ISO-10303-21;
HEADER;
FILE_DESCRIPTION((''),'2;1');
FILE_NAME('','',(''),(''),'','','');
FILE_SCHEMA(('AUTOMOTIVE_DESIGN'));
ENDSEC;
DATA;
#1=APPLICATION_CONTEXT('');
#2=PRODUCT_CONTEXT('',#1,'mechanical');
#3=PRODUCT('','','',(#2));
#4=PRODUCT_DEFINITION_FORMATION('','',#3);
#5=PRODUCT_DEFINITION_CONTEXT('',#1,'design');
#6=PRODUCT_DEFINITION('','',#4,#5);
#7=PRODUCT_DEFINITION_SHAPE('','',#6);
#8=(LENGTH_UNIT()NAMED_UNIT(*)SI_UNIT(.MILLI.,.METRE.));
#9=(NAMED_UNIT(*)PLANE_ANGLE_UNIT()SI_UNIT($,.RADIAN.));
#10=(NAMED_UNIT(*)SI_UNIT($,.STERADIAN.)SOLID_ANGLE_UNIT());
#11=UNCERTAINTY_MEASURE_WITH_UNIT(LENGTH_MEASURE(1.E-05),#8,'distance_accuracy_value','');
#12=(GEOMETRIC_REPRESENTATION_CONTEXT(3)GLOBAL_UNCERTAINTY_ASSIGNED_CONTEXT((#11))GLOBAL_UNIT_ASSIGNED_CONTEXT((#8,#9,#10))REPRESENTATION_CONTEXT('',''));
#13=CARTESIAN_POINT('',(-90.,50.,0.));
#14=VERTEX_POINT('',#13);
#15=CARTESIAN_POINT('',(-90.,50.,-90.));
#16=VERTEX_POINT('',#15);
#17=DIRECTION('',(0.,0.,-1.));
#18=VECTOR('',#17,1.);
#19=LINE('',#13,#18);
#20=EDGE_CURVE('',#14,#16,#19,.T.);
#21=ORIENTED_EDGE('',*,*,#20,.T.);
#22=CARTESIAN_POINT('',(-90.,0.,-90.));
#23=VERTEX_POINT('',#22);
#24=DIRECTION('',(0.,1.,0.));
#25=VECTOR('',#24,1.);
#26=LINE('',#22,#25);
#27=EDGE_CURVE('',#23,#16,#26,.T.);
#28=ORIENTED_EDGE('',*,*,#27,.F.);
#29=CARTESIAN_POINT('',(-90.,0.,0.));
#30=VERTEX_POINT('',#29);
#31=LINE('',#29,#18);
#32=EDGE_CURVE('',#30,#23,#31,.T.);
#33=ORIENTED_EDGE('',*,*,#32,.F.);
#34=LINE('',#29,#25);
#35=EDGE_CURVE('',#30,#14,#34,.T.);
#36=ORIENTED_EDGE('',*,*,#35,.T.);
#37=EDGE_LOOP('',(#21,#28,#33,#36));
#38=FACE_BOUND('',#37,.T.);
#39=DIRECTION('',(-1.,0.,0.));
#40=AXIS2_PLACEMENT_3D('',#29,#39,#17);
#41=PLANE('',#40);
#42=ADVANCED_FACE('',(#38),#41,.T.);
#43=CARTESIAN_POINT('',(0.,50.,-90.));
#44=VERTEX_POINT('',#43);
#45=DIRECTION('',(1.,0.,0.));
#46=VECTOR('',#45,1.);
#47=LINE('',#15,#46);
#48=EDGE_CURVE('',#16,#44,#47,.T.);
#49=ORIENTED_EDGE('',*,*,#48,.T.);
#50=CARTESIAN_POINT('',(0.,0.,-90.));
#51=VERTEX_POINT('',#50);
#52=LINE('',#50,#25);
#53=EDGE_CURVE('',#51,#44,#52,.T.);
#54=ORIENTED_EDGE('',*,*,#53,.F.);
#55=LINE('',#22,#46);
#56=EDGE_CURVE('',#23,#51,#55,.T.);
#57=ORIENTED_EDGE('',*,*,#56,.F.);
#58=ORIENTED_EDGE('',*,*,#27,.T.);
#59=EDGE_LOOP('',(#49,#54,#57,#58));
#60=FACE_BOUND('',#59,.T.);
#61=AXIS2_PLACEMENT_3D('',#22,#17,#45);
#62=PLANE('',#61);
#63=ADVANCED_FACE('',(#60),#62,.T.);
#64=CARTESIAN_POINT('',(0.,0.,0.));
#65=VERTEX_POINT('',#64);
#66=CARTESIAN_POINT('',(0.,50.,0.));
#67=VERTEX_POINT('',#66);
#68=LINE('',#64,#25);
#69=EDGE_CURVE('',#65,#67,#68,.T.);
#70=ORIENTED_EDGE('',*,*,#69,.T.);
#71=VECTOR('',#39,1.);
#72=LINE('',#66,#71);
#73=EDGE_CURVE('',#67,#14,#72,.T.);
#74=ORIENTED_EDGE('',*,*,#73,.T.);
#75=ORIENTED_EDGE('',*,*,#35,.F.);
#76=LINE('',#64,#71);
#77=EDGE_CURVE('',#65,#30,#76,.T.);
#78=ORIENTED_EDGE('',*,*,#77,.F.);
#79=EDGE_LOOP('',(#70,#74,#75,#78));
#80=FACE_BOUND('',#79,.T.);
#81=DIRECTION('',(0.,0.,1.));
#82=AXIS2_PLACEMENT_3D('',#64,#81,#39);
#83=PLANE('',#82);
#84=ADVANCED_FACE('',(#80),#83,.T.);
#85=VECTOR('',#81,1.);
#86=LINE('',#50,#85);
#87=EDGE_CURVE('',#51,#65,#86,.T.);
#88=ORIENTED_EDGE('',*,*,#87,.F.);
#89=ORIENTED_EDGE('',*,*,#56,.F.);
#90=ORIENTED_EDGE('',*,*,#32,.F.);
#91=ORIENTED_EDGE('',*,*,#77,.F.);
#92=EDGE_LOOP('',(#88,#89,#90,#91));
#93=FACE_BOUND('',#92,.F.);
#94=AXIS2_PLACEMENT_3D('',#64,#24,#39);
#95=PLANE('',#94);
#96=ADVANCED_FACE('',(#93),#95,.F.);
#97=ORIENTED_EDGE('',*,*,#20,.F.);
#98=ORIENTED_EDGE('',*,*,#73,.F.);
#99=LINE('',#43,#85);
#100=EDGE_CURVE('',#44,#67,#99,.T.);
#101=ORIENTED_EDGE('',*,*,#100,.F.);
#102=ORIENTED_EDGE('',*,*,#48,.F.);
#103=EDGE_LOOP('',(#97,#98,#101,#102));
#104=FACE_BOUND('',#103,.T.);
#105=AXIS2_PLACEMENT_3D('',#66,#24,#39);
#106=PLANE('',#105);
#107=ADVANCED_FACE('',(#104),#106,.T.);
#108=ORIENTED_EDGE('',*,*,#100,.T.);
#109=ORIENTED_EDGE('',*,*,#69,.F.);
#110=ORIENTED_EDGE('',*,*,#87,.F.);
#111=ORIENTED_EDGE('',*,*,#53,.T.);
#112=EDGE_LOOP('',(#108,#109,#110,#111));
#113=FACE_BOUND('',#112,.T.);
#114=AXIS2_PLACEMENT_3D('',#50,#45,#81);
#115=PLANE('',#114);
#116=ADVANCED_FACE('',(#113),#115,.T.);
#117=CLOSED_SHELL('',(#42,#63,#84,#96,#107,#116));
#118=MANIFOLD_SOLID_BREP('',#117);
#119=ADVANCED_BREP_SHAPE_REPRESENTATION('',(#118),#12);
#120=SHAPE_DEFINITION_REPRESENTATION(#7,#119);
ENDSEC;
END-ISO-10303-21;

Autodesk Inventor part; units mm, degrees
ref_plane "YZ Plane" through (0, 0, 0) normal (1, 0, 0) x (0, 1, 0)
ref_plane "XZ Plane" through (0, 0, 0) normal (0, 1, 0) x (-1, 0, 0)
ref_plane "XY Plane" through (0, 0, 0) normal (0, 0, 1) x (1, 0, 0)
sketch "Sketch1" plane through (0, 0, 0) normal (0, 1, 0) x (-1, 0, 0)
  line L0 (0, 0) -> (90, 0)
  line L1 (90, 0) -> (90, -90)
  line L2 (90, -90) -> (0, -90)
  line L3 (0, -90) -> (0, 0)
  dimension "d0" = 90
  dimension "d1" = 90
extrude "Extrusion1" add sketch "Sketch1" along normal blind 50
properties part number "color"
